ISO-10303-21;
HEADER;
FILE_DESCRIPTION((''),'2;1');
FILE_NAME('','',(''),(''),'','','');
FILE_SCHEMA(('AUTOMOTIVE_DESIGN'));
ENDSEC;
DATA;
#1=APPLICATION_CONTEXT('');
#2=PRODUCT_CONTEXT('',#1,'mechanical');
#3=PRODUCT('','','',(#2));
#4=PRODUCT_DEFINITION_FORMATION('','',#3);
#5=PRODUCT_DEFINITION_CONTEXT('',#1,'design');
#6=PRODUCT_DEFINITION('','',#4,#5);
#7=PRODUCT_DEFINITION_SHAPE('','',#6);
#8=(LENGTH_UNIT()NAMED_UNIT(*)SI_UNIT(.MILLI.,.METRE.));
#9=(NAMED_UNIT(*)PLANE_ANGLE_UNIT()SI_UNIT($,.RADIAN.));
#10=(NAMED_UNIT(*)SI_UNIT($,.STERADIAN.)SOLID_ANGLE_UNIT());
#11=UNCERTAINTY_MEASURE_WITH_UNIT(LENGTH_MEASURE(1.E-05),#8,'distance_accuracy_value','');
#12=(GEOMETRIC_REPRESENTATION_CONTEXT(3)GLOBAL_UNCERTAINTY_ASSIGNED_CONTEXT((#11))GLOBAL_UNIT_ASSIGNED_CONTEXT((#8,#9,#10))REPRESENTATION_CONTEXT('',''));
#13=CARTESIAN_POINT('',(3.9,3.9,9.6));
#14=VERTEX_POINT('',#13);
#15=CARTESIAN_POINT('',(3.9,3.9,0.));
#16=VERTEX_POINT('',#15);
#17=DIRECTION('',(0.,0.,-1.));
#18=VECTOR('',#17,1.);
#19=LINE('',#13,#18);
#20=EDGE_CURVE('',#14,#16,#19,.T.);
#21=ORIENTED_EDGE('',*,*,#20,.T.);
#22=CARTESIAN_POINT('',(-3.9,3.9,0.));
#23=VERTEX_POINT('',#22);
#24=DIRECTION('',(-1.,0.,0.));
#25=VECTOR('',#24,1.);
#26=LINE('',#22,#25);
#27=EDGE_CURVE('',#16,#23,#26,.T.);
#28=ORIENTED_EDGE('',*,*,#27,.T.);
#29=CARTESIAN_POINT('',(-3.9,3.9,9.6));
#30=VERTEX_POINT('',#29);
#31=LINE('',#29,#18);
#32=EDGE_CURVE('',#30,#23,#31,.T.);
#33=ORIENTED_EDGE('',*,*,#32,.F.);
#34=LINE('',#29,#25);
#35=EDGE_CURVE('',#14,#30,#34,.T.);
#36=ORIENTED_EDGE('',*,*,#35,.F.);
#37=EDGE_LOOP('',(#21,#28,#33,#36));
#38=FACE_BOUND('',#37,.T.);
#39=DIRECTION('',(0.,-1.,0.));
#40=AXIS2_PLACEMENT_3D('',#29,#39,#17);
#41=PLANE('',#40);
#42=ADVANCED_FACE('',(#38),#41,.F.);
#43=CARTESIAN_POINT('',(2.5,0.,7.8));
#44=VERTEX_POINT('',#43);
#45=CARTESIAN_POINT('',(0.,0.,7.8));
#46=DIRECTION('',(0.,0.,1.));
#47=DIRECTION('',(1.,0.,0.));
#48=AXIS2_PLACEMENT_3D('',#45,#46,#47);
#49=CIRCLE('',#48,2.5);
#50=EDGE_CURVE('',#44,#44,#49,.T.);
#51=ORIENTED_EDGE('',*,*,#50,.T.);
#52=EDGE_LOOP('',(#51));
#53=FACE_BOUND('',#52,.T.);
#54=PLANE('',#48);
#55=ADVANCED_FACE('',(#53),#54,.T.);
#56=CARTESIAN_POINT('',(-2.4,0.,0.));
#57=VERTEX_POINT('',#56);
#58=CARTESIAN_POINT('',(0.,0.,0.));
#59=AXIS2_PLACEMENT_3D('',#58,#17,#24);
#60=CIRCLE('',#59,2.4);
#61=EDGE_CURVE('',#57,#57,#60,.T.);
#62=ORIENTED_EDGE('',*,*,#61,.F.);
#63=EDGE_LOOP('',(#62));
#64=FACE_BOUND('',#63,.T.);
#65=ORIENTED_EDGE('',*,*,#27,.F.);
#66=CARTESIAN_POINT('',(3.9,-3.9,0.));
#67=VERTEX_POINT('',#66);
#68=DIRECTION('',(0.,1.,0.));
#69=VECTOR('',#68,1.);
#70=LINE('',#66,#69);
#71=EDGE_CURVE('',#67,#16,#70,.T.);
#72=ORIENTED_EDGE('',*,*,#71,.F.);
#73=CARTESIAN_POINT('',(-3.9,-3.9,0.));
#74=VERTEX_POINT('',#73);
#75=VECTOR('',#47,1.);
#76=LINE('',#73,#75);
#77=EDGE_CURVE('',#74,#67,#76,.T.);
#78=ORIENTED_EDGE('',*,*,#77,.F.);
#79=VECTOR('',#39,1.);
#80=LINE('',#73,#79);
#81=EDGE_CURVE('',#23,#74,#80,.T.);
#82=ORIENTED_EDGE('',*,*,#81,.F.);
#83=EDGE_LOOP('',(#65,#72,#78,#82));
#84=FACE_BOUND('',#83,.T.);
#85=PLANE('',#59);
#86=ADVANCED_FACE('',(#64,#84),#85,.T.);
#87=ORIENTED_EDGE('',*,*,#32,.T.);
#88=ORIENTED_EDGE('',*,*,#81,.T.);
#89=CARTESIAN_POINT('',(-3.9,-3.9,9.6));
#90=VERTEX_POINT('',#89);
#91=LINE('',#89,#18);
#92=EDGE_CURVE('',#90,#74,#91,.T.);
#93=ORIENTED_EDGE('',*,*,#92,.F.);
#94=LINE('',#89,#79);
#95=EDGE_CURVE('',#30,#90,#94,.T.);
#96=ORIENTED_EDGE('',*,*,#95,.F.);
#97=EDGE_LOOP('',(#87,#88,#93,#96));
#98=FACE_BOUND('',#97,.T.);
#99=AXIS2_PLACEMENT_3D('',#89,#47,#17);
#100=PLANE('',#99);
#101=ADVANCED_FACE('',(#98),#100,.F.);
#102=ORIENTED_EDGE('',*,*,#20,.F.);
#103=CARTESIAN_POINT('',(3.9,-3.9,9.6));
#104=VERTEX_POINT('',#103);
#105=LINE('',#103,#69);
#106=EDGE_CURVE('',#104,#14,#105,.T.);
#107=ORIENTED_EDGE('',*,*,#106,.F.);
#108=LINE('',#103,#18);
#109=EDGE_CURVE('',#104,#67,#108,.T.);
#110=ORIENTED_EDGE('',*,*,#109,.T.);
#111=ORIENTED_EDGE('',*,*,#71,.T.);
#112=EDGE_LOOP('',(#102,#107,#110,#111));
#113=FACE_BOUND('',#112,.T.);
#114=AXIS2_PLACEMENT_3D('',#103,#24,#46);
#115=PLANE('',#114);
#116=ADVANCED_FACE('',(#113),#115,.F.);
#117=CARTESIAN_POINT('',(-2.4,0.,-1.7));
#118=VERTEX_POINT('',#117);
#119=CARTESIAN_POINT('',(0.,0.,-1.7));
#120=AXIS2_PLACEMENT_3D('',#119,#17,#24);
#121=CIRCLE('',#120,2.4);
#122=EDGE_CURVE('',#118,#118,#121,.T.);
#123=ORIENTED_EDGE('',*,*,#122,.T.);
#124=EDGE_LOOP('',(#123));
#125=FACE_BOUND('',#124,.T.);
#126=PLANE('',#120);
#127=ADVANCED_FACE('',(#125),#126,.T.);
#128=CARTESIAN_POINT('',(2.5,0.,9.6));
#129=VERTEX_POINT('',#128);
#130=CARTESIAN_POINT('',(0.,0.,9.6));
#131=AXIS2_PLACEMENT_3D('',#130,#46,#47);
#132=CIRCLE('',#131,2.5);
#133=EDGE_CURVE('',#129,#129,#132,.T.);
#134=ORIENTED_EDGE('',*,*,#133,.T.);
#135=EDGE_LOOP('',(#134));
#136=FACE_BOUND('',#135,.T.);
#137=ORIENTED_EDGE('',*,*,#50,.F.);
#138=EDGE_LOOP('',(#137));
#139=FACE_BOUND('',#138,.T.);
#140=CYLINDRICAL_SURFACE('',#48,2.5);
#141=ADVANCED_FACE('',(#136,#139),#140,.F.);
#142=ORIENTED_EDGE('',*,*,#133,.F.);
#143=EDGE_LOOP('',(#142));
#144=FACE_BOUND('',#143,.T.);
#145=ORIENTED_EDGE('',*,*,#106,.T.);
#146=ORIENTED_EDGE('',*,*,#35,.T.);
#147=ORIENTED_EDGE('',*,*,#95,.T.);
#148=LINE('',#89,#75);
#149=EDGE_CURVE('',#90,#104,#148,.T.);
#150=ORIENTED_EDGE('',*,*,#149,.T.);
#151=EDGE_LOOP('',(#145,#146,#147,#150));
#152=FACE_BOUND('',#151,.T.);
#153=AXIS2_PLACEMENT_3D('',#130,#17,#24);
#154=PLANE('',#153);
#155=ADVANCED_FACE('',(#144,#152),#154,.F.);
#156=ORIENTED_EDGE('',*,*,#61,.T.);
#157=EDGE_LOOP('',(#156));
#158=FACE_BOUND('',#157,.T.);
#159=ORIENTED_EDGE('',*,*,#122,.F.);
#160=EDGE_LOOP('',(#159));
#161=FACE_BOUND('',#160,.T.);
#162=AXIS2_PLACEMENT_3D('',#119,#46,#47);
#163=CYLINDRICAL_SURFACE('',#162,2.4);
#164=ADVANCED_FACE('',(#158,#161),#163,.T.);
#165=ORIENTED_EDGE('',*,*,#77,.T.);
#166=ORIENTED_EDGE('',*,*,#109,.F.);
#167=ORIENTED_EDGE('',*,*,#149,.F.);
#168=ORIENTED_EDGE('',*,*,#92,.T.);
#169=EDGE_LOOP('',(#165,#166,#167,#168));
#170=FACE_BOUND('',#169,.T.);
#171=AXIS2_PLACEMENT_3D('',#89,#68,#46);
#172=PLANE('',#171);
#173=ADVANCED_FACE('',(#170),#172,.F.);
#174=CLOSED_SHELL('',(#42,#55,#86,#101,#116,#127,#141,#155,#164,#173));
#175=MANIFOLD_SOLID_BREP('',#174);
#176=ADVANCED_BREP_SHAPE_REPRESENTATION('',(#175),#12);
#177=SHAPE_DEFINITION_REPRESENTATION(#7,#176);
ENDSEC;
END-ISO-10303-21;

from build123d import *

# Parameters (mm, degrees)
SKETCH_1_W          = 7.8
SKETCH_1_H          = 7.8
EXTRUDE_1_DEPTH     = 9.6
SKETCH_2_R          = 2.4
EXTRUDE_2_DEPTH     = 1.7
SKETCH_3_R          = 2.5
CUT_EXTRUDE_1_DEPTH = 1.8


with BuildPart() as part:
    # Эскиз1 → Бобышка-Вытянуть1 (new body)
    with BuildSketch(Plane.XY):
        Rectangle(SKETCH_1_W, SKETCH_1_H)
    extrude(amount=EXTRUDE_1_DEPTH)

    # Эскиз2 → Бобышка-Вытянуть2 (add)
    with BuildSketch(Plane(origin=(0, 0, 0), x_dir=(-1, 0, 0), z_dir=(0, 0, -1))):
        Circle(SKETCH_2_R)
    extrude(amount=EXTRUDE_2_DEPTH)

    # Эскиз3 → Вырез-Вытянуть1 (cut)
    with BuildSketch(Plane.XY.offset(9.6)):
        Circle(SKETCH_3_R)
    extrude(amount=-CUT_EXTRUDE_1_DEPTH, mode=Mode.SUBTRACT)


solid = part.part
